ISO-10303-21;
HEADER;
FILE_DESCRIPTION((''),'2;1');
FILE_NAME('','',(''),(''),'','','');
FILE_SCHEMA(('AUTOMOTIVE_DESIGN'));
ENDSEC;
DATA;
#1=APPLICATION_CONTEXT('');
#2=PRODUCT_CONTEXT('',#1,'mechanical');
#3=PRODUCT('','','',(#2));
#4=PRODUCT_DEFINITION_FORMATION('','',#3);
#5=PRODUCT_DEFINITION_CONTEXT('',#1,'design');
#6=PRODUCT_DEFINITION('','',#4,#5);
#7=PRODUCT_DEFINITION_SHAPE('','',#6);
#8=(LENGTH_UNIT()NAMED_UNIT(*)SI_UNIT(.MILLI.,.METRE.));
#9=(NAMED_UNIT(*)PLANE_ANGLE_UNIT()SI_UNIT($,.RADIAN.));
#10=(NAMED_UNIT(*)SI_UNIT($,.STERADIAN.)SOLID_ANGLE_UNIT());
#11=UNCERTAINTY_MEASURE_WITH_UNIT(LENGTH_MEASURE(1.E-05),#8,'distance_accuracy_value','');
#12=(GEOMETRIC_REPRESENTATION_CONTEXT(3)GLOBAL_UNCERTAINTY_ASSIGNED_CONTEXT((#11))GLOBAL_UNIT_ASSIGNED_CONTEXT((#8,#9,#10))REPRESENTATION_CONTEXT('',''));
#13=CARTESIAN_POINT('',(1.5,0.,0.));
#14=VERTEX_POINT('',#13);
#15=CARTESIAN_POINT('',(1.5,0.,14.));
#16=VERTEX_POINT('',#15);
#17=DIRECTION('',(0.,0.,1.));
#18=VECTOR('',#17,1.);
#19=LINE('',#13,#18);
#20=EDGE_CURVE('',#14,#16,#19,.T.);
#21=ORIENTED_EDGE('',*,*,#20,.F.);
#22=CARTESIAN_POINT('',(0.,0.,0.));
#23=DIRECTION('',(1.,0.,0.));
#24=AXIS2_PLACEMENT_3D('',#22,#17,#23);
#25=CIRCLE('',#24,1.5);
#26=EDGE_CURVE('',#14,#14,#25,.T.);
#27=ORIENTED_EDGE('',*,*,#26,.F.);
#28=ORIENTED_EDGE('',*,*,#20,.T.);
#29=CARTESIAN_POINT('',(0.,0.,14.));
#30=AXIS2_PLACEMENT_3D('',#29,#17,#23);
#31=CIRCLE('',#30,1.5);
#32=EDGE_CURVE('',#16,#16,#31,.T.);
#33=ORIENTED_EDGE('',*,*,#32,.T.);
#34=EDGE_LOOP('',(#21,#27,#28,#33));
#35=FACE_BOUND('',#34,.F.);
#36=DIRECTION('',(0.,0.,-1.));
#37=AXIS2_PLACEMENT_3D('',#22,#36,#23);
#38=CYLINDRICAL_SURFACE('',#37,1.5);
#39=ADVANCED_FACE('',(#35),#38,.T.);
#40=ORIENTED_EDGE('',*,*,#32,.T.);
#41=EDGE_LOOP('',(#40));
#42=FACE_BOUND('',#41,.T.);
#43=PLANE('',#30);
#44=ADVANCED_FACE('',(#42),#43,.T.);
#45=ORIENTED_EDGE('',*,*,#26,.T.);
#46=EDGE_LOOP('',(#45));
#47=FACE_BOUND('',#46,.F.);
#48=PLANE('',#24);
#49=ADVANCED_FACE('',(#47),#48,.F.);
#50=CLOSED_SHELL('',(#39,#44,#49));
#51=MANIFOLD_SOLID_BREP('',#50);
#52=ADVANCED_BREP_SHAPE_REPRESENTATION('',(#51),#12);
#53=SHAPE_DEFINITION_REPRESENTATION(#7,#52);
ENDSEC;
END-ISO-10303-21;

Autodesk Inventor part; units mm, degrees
ref_plane "YZ Plane" through (0, 0, 0) normal (1, 0, 0) x (0, 1, 0)
ref_plane "XZ Plane" through (0, 0, 0) normal (0, 1, 0) x (-1, 0, 0)
ref_plane "XY Plane" through (0, 0, 0) normal (0, 0, 1) x (1, 0, 0)
sketch "スケッチ1" plane through (0, 0, 0) normal (0, 0, 1) x (1, 0, 0)
  circle A0 centre (0, 0) radius 1.5
  dimension "d0" = 3
extrude "押し出し1" add sketch "スケッチ1" along normal blind 14
properties part number "棒"
